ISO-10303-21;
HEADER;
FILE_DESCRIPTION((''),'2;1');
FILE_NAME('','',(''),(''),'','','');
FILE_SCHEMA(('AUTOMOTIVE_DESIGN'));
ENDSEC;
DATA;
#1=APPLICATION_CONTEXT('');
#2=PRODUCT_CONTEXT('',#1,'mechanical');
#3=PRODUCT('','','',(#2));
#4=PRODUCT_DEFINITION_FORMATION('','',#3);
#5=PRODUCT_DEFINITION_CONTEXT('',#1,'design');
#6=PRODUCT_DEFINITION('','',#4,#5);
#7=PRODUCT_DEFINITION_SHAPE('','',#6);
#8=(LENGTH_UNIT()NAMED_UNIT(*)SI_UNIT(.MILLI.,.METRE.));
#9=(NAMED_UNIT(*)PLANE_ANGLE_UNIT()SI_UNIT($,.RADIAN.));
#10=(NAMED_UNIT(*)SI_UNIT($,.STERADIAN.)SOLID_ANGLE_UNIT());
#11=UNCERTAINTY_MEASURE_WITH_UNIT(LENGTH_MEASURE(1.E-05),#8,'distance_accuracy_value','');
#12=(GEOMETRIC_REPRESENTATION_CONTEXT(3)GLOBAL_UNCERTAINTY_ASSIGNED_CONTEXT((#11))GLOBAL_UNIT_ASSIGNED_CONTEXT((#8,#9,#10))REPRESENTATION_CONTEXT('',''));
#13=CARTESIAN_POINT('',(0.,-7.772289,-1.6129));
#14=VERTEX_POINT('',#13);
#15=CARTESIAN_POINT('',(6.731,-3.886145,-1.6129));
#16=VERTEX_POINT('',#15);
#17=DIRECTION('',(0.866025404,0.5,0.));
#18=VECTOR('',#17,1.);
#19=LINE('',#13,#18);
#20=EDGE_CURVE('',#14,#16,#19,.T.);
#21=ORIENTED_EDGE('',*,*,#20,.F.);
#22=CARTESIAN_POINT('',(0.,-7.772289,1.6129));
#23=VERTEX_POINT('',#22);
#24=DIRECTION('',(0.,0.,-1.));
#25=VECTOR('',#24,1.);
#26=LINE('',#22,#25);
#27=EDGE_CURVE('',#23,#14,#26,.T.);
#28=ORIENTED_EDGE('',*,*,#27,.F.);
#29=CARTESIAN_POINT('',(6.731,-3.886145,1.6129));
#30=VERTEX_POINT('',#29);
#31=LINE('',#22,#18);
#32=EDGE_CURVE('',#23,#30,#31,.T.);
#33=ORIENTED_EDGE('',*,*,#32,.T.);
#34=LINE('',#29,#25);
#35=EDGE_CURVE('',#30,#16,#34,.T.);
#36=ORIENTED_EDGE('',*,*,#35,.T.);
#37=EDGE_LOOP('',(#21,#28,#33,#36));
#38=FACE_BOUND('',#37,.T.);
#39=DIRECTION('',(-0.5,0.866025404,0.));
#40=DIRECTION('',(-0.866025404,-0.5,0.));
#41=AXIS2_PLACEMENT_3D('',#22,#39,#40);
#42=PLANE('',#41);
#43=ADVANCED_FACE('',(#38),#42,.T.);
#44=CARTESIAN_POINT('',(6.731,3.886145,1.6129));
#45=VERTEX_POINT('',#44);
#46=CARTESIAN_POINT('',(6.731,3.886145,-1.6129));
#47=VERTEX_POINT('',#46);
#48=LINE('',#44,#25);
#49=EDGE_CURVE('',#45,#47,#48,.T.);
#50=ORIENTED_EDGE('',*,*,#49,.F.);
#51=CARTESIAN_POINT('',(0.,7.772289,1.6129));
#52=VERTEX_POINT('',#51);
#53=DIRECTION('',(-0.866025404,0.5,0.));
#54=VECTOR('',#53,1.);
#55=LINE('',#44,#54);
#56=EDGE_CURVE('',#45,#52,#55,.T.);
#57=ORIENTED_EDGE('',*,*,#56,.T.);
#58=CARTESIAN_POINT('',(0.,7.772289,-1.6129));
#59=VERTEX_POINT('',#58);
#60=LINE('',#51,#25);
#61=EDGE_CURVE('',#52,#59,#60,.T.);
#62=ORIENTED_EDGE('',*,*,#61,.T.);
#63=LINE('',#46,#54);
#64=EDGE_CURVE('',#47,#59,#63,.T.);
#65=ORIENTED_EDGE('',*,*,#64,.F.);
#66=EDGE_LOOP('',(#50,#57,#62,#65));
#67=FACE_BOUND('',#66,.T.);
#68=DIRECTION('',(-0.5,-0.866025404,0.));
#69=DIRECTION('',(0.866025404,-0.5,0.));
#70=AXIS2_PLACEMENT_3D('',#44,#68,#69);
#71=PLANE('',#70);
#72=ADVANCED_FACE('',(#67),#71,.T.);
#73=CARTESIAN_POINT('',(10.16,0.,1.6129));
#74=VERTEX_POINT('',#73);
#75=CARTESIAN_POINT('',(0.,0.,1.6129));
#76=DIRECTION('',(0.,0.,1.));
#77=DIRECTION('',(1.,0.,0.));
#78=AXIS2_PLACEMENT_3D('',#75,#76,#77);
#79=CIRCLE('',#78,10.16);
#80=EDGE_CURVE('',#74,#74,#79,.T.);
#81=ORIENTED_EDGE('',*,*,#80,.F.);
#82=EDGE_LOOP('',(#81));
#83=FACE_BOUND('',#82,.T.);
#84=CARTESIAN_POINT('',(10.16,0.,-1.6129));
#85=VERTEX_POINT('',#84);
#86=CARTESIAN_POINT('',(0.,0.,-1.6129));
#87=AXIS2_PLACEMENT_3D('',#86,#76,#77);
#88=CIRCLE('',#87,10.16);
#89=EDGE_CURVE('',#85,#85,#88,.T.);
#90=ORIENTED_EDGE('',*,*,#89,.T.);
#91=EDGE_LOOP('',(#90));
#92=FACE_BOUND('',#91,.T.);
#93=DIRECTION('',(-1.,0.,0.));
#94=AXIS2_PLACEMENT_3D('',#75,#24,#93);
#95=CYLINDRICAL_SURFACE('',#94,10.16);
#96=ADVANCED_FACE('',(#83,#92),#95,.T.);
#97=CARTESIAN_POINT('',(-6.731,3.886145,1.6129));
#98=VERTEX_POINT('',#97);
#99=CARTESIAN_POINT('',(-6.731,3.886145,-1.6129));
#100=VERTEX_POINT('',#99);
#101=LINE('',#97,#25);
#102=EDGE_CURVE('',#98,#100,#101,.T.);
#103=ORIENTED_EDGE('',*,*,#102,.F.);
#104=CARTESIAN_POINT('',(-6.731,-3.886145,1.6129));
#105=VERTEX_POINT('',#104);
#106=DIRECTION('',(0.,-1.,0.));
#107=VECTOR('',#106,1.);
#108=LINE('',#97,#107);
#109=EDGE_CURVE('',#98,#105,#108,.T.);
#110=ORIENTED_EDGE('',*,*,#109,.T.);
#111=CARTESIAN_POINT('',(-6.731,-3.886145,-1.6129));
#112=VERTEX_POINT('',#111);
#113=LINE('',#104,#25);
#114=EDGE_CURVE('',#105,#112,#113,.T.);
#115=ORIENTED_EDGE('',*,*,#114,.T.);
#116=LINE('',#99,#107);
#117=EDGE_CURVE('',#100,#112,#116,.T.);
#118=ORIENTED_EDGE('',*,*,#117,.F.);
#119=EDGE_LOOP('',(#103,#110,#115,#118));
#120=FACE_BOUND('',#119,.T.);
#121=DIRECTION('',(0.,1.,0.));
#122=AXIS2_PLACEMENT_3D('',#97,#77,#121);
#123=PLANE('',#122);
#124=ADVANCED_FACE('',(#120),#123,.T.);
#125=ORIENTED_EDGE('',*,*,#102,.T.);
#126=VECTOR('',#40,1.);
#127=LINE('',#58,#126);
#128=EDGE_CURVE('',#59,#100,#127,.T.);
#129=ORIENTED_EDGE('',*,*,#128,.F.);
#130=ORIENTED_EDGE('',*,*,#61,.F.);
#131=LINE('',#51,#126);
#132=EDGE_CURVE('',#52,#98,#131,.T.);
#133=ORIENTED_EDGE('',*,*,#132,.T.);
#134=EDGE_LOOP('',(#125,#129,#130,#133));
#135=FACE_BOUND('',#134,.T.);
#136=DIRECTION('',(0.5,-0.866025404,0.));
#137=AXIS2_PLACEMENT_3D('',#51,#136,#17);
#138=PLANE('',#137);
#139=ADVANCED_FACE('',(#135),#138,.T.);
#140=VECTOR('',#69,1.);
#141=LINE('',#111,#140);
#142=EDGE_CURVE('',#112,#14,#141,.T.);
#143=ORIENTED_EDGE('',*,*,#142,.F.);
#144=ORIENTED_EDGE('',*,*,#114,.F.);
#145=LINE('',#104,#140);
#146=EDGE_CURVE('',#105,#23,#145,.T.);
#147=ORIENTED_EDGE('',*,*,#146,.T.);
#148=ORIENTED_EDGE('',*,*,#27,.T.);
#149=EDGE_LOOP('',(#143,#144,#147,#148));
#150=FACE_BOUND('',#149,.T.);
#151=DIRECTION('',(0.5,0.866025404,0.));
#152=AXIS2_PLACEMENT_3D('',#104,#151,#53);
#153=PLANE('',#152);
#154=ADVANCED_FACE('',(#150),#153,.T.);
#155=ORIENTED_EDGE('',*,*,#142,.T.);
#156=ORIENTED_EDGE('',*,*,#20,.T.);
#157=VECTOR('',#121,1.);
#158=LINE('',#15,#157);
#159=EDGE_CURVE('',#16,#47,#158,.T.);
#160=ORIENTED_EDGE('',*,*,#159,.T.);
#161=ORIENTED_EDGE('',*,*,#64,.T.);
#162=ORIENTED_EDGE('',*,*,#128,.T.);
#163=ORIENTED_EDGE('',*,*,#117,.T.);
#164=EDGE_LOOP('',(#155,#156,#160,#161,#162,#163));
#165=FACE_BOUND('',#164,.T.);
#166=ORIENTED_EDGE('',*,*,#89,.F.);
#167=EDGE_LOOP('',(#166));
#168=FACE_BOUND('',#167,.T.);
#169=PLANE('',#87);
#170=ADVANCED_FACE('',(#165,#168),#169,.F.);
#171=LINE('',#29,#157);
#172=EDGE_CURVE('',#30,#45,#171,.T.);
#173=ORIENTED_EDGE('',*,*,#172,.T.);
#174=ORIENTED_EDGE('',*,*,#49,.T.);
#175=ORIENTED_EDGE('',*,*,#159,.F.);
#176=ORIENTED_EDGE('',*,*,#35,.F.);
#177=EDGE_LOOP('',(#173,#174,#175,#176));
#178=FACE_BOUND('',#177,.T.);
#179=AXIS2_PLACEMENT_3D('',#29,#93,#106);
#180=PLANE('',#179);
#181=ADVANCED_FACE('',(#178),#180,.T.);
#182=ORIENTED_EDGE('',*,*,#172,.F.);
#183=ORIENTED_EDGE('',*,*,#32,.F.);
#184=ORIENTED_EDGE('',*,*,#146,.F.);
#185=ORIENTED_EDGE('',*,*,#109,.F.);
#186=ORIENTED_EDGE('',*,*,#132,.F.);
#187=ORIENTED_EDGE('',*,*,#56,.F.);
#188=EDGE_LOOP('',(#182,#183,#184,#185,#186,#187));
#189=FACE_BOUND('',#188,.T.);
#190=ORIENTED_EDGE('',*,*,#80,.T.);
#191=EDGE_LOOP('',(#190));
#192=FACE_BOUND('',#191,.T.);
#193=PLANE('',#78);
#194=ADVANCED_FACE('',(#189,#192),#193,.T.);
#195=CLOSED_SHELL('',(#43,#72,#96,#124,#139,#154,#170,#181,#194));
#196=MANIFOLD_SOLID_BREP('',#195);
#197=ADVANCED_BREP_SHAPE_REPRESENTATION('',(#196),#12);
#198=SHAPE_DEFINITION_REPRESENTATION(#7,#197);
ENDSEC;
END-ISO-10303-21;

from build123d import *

# Parameters (mm, degrees)
SKETCH1_R           = 10.16
BOSS_EXTRUDE1_DEPTH = 1.6129


with BuildPart() as part:
    # Sketch1 → Boss-Extrude1 (new, symmetric)
    with BuildSketch(Plane.XY):
        Circle(SKETCH1_R)
        Polygon((0, 7.772289324), (-6.731, 3.886144662), (-6.731, -3.886144662), (0, -7.772289324), (6.731, -3.886144662), (6.731, 3.886144662), align=None, mode=Mode.SUBTRACT)
    extrude(amount=BOSS_EXTRUDE1_DEPTH, both=True)


solid = part.part
